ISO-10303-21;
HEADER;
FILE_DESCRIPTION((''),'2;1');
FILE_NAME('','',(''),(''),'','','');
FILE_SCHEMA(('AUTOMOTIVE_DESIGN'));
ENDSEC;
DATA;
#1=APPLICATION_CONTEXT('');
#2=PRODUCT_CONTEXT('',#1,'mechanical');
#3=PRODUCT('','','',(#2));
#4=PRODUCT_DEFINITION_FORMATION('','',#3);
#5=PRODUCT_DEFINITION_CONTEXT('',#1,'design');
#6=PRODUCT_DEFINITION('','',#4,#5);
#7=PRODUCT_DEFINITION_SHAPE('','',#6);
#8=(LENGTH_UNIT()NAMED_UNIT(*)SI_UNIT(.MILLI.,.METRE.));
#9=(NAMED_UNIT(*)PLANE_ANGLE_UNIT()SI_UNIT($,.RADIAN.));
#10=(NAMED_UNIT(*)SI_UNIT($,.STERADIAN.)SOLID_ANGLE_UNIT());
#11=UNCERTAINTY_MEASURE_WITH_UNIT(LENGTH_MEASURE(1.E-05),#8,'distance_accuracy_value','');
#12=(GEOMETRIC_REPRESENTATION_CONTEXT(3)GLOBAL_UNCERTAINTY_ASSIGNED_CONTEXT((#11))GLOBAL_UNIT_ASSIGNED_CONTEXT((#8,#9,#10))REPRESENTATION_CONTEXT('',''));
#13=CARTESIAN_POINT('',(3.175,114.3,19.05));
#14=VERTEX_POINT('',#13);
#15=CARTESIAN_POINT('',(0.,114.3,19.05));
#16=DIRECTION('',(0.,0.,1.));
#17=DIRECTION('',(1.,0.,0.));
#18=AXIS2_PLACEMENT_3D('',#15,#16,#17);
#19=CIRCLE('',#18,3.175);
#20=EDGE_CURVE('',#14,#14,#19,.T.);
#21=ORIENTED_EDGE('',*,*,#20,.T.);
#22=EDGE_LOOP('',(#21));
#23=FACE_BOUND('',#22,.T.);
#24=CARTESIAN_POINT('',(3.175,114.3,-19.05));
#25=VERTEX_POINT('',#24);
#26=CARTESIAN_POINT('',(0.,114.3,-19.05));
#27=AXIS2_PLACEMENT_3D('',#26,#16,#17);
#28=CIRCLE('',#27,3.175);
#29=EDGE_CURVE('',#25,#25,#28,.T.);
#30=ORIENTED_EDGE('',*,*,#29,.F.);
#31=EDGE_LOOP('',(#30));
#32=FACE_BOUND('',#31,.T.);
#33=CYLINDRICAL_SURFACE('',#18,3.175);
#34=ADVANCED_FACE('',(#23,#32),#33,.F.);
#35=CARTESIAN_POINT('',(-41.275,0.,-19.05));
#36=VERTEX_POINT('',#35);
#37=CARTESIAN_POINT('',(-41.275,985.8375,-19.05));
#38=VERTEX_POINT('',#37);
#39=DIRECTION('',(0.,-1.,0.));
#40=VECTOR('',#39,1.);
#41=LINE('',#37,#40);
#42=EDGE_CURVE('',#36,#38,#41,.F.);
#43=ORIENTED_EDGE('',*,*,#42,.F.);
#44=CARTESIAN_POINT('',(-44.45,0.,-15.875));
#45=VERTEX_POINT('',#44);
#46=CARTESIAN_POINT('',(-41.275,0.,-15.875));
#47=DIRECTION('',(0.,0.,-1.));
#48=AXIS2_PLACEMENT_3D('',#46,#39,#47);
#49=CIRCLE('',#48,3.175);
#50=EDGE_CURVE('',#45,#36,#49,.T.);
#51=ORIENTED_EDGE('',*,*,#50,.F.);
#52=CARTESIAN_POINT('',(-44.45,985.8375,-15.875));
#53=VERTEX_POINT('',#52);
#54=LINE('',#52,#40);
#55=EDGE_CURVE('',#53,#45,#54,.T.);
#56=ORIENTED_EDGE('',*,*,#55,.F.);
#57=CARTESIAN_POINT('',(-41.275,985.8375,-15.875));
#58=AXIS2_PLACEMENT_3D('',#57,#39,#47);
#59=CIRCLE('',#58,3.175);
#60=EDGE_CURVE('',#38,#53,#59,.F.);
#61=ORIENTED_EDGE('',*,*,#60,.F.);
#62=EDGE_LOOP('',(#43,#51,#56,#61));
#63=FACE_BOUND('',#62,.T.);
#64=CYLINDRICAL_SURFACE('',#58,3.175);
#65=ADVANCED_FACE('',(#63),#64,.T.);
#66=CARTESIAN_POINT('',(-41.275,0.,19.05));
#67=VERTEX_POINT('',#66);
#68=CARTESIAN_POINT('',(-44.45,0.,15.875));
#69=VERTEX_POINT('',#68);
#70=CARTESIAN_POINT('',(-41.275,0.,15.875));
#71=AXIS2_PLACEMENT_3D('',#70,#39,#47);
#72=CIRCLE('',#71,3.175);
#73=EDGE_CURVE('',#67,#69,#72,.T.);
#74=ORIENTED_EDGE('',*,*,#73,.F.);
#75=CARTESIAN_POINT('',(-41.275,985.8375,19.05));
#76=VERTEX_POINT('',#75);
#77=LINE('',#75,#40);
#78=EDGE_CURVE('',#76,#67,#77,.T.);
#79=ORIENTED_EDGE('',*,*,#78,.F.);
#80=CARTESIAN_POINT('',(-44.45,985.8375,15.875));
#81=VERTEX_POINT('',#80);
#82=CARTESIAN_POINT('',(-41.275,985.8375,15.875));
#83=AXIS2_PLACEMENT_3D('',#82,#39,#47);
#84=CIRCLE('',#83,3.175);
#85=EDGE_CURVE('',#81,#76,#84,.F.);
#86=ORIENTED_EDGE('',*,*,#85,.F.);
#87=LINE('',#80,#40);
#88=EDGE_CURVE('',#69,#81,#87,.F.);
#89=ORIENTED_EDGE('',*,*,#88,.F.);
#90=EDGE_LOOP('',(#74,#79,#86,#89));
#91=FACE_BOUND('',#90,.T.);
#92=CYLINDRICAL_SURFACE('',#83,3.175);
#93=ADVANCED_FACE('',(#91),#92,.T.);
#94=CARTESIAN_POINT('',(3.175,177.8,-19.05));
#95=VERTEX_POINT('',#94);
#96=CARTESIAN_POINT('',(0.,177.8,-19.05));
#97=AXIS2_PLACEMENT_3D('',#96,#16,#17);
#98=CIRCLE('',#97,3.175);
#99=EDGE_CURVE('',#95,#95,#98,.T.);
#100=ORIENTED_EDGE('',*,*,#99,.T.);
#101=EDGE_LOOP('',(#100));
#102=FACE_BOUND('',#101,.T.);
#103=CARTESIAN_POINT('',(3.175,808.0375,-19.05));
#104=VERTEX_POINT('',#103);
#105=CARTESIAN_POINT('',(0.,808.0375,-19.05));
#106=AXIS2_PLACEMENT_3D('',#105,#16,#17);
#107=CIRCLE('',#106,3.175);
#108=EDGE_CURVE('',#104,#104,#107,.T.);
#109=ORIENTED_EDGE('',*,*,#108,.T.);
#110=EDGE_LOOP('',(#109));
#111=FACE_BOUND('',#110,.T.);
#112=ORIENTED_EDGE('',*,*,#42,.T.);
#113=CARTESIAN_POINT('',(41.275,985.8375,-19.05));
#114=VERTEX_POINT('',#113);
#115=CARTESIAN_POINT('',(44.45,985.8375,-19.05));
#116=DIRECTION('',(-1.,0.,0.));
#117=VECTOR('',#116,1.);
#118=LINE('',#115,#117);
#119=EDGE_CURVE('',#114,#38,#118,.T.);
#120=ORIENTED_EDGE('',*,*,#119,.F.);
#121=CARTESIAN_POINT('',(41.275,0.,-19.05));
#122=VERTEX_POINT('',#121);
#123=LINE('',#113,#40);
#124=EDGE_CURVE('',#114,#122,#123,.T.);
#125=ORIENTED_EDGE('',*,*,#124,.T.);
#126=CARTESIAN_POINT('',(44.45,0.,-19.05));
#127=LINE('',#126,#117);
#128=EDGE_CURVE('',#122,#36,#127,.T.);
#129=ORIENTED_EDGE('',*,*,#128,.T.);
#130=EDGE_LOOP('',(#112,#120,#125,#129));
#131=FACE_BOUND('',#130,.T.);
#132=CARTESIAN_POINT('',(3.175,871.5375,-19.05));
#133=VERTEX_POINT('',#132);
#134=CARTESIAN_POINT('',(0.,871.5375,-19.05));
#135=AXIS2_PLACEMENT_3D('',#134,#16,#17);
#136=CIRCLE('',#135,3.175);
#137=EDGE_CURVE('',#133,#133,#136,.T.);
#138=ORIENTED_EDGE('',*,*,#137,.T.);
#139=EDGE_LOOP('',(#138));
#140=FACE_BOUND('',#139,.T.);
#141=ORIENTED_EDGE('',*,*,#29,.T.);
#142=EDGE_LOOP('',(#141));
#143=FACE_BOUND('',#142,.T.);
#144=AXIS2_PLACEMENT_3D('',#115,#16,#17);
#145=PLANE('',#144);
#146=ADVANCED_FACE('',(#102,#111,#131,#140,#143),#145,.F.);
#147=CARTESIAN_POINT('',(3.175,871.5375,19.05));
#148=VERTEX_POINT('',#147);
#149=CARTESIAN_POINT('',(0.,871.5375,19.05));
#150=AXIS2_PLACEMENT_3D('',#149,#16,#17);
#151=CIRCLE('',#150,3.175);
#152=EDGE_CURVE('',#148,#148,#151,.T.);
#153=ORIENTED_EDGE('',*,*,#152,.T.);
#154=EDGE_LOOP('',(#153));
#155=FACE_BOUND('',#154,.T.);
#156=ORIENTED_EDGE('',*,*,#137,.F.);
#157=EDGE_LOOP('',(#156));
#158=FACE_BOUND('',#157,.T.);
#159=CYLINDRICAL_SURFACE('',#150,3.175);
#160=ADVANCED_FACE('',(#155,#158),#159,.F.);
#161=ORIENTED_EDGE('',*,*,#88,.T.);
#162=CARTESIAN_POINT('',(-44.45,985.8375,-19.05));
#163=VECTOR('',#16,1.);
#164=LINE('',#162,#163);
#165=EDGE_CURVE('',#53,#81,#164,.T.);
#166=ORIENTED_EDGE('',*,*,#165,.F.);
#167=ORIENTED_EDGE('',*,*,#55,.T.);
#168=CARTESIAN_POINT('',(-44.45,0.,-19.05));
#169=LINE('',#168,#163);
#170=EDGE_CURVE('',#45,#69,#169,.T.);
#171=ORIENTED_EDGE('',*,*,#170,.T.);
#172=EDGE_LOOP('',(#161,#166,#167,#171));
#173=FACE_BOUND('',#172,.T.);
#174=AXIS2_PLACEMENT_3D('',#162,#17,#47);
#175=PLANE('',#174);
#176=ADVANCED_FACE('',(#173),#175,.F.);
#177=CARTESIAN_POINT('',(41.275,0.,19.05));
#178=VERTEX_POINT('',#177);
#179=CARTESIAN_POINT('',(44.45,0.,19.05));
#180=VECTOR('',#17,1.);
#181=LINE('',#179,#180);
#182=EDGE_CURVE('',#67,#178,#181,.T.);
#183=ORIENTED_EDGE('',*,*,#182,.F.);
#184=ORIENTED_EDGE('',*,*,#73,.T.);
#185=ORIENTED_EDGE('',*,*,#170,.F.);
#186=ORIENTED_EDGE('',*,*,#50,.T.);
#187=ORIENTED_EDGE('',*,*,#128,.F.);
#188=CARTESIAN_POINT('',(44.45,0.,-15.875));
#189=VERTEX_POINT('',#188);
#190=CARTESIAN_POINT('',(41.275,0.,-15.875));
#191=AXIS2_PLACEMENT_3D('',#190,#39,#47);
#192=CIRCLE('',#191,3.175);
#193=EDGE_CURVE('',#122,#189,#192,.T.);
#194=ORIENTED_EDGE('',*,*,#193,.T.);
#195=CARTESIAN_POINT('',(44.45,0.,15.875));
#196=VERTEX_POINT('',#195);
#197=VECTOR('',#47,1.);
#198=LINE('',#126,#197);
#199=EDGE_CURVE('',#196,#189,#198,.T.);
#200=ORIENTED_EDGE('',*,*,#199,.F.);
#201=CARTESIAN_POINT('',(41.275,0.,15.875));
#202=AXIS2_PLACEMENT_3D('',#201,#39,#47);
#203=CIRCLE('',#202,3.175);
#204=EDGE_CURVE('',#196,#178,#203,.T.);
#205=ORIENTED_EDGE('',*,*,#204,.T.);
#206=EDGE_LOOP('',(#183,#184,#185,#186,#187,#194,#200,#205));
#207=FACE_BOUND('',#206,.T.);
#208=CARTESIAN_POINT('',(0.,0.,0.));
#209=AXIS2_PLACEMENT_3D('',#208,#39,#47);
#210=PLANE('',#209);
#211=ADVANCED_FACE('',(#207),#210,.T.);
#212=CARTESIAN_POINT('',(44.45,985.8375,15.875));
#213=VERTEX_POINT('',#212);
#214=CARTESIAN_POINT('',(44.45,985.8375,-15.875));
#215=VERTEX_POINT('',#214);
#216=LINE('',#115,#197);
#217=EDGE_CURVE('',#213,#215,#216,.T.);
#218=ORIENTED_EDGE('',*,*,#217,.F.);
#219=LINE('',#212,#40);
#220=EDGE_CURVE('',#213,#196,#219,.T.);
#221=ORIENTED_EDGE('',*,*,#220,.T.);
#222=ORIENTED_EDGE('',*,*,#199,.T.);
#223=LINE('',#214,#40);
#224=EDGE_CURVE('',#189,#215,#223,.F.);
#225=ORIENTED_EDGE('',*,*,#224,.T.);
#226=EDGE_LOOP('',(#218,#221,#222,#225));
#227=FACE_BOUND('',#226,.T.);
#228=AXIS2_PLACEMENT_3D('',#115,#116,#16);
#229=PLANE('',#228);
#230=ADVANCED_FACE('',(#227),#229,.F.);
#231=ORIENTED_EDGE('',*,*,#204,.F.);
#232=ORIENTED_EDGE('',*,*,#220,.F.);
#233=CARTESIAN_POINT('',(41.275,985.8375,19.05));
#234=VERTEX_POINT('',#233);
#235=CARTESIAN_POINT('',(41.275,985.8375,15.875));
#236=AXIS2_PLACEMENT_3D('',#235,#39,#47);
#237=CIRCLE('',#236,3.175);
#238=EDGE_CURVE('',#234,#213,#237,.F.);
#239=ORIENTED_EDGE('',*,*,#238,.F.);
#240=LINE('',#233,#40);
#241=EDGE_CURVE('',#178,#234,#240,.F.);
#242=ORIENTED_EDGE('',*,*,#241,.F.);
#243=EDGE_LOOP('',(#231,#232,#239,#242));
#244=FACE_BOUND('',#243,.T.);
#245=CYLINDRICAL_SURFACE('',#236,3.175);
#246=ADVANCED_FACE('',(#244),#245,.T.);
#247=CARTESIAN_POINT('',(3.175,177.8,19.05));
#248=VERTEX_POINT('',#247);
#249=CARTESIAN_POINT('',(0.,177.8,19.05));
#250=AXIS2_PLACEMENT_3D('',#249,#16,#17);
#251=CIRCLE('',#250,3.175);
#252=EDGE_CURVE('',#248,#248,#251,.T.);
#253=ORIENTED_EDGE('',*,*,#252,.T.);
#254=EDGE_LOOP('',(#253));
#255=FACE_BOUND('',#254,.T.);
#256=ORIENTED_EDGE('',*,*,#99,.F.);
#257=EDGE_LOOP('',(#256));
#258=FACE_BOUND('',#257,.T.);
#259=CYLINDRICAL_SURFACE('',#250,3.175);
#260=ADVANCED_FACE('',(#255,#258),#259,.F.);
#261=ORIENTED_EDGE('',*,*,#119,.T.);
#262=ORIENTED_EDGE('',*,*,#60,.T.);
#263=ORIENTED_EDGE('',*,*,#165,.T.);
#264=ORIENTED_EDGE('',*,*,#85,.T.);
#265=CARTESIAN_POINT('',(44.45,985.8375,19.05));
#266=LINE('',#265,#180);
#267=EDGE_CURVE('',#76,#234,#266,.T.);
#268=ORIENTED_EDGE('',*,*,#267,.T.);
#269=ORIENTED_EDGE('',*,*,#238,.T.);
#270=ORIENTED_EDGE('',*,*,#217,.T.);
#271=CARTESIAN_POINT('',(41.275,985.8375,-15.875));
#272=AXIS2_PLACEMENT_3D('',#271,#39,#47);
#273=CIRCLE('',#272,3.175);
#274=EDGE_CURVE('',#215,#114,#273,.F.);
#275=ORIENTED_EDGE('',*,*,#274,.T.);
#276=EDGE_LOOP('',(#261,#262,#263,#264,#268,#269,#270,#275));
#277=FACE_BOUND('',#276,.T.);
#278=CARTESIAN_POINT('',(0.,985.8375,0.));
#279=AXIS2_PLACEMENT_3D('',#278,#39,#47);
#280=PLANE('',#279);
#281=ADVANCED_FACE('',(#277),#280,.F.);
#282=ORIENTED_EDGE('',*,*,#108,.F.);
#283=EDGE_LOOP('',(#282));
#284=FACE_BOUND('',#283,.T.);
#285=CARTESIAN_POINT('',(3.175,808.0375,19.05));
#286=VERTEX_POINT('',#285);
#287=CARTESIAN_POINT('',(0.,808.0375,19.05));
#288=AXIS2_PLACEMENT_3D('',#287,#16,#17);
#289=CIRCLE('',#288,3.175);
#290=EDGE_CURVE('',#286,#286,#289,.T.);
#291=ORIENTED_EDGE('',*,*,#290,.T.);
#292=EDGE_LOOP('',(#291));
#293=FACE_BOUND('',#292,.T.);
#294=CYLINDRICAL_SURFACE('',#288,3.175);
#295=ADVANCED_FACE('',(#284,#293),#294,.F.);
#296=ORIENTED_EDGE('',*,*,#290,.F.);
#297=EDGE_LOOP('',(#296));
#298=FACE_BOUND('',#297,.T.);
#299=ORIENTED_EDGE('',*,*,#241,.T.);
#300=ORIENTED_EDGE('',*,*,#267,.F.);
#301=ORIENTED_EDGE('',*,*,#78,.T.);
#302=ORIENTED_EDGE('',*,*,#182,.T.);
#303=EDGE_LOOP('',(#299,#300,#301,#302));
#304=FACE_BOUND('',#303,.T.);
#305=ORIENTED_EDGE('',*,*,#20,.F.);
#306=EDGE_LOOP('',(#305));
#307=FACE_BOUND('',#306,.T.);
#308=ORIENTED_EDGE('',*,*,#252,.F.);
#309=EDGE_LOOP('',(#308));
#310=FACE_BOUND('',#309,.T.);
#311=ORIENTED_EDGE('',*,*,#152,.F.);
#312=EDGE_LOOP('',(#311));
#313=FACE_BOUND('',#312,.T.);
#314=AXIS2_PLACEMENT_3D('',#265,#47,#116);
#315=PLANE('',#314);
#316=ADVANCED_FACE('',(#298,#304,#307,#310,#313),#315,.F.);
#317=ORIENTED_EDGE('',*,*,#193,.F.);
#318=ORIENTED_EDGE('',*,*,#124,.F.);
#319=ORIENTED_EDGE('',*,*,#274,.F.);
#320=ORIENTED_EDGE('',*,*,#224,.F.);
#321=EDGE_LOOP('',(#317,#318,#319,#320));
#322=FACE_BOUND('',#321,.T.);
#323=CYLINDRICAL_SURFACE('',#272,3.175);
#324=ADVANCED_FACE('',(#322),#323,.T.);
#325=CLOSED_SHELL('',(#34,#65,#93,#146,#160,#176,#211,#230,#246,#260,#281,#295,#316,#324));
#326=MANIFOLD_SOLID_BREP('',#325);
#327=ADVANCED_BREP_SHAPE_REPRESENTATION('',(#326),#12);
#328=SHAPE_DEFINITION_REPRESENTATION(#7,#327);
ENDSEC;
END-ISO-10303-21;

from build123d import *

# Parameters (mm, degrees)
SKETCH1_W                   = 88.9
SKETCH1_H                   = 38.1
BOSS_EXTRUDE1_DEPTH         = 985.8375
FILLET1_R                   = 3.175
F_1_4_0_25_DIAMETER_HOLE1_D = 6.35


with BuildPart() as part:
    # Sketch1 → Boss-Extrude1 (new body)
    with BuildSketch(Plane(origin=(0, 0, 0), x_dir=(1, 0, 0), z_dir=(0, 1, 0))):
        Rectangle(SKETCH1_W, SKETCH1_H)
    extrude(amount=BOSS_EXTRUDE1_DEPTH)

    # Fillet1
    fillet1_edges = [part.edges().sort_by_distance(p)[0] for p in [
        (-44.45, 492.91875, -19.05),
        (44.45, 492.91875, -19.05),
        (44.45, 492.91875, 19.05),
        (-44.45, 492.91875, 19.05),
    ]]
    fillet(fillet1_edges, radius=FILLET1_R)

    # 1/4 (0.25) Diameter Hole1 (through all)
    with Locations(Plane.XY.offset(19.05)):
        with Locations((0, 114.3), (0, 177.8), (0, 808.0375), (0, 871.5375)):
            Hole(F_1_4_0_25_DIAMETER_HOLE1_D / 2)


solid = part.part
